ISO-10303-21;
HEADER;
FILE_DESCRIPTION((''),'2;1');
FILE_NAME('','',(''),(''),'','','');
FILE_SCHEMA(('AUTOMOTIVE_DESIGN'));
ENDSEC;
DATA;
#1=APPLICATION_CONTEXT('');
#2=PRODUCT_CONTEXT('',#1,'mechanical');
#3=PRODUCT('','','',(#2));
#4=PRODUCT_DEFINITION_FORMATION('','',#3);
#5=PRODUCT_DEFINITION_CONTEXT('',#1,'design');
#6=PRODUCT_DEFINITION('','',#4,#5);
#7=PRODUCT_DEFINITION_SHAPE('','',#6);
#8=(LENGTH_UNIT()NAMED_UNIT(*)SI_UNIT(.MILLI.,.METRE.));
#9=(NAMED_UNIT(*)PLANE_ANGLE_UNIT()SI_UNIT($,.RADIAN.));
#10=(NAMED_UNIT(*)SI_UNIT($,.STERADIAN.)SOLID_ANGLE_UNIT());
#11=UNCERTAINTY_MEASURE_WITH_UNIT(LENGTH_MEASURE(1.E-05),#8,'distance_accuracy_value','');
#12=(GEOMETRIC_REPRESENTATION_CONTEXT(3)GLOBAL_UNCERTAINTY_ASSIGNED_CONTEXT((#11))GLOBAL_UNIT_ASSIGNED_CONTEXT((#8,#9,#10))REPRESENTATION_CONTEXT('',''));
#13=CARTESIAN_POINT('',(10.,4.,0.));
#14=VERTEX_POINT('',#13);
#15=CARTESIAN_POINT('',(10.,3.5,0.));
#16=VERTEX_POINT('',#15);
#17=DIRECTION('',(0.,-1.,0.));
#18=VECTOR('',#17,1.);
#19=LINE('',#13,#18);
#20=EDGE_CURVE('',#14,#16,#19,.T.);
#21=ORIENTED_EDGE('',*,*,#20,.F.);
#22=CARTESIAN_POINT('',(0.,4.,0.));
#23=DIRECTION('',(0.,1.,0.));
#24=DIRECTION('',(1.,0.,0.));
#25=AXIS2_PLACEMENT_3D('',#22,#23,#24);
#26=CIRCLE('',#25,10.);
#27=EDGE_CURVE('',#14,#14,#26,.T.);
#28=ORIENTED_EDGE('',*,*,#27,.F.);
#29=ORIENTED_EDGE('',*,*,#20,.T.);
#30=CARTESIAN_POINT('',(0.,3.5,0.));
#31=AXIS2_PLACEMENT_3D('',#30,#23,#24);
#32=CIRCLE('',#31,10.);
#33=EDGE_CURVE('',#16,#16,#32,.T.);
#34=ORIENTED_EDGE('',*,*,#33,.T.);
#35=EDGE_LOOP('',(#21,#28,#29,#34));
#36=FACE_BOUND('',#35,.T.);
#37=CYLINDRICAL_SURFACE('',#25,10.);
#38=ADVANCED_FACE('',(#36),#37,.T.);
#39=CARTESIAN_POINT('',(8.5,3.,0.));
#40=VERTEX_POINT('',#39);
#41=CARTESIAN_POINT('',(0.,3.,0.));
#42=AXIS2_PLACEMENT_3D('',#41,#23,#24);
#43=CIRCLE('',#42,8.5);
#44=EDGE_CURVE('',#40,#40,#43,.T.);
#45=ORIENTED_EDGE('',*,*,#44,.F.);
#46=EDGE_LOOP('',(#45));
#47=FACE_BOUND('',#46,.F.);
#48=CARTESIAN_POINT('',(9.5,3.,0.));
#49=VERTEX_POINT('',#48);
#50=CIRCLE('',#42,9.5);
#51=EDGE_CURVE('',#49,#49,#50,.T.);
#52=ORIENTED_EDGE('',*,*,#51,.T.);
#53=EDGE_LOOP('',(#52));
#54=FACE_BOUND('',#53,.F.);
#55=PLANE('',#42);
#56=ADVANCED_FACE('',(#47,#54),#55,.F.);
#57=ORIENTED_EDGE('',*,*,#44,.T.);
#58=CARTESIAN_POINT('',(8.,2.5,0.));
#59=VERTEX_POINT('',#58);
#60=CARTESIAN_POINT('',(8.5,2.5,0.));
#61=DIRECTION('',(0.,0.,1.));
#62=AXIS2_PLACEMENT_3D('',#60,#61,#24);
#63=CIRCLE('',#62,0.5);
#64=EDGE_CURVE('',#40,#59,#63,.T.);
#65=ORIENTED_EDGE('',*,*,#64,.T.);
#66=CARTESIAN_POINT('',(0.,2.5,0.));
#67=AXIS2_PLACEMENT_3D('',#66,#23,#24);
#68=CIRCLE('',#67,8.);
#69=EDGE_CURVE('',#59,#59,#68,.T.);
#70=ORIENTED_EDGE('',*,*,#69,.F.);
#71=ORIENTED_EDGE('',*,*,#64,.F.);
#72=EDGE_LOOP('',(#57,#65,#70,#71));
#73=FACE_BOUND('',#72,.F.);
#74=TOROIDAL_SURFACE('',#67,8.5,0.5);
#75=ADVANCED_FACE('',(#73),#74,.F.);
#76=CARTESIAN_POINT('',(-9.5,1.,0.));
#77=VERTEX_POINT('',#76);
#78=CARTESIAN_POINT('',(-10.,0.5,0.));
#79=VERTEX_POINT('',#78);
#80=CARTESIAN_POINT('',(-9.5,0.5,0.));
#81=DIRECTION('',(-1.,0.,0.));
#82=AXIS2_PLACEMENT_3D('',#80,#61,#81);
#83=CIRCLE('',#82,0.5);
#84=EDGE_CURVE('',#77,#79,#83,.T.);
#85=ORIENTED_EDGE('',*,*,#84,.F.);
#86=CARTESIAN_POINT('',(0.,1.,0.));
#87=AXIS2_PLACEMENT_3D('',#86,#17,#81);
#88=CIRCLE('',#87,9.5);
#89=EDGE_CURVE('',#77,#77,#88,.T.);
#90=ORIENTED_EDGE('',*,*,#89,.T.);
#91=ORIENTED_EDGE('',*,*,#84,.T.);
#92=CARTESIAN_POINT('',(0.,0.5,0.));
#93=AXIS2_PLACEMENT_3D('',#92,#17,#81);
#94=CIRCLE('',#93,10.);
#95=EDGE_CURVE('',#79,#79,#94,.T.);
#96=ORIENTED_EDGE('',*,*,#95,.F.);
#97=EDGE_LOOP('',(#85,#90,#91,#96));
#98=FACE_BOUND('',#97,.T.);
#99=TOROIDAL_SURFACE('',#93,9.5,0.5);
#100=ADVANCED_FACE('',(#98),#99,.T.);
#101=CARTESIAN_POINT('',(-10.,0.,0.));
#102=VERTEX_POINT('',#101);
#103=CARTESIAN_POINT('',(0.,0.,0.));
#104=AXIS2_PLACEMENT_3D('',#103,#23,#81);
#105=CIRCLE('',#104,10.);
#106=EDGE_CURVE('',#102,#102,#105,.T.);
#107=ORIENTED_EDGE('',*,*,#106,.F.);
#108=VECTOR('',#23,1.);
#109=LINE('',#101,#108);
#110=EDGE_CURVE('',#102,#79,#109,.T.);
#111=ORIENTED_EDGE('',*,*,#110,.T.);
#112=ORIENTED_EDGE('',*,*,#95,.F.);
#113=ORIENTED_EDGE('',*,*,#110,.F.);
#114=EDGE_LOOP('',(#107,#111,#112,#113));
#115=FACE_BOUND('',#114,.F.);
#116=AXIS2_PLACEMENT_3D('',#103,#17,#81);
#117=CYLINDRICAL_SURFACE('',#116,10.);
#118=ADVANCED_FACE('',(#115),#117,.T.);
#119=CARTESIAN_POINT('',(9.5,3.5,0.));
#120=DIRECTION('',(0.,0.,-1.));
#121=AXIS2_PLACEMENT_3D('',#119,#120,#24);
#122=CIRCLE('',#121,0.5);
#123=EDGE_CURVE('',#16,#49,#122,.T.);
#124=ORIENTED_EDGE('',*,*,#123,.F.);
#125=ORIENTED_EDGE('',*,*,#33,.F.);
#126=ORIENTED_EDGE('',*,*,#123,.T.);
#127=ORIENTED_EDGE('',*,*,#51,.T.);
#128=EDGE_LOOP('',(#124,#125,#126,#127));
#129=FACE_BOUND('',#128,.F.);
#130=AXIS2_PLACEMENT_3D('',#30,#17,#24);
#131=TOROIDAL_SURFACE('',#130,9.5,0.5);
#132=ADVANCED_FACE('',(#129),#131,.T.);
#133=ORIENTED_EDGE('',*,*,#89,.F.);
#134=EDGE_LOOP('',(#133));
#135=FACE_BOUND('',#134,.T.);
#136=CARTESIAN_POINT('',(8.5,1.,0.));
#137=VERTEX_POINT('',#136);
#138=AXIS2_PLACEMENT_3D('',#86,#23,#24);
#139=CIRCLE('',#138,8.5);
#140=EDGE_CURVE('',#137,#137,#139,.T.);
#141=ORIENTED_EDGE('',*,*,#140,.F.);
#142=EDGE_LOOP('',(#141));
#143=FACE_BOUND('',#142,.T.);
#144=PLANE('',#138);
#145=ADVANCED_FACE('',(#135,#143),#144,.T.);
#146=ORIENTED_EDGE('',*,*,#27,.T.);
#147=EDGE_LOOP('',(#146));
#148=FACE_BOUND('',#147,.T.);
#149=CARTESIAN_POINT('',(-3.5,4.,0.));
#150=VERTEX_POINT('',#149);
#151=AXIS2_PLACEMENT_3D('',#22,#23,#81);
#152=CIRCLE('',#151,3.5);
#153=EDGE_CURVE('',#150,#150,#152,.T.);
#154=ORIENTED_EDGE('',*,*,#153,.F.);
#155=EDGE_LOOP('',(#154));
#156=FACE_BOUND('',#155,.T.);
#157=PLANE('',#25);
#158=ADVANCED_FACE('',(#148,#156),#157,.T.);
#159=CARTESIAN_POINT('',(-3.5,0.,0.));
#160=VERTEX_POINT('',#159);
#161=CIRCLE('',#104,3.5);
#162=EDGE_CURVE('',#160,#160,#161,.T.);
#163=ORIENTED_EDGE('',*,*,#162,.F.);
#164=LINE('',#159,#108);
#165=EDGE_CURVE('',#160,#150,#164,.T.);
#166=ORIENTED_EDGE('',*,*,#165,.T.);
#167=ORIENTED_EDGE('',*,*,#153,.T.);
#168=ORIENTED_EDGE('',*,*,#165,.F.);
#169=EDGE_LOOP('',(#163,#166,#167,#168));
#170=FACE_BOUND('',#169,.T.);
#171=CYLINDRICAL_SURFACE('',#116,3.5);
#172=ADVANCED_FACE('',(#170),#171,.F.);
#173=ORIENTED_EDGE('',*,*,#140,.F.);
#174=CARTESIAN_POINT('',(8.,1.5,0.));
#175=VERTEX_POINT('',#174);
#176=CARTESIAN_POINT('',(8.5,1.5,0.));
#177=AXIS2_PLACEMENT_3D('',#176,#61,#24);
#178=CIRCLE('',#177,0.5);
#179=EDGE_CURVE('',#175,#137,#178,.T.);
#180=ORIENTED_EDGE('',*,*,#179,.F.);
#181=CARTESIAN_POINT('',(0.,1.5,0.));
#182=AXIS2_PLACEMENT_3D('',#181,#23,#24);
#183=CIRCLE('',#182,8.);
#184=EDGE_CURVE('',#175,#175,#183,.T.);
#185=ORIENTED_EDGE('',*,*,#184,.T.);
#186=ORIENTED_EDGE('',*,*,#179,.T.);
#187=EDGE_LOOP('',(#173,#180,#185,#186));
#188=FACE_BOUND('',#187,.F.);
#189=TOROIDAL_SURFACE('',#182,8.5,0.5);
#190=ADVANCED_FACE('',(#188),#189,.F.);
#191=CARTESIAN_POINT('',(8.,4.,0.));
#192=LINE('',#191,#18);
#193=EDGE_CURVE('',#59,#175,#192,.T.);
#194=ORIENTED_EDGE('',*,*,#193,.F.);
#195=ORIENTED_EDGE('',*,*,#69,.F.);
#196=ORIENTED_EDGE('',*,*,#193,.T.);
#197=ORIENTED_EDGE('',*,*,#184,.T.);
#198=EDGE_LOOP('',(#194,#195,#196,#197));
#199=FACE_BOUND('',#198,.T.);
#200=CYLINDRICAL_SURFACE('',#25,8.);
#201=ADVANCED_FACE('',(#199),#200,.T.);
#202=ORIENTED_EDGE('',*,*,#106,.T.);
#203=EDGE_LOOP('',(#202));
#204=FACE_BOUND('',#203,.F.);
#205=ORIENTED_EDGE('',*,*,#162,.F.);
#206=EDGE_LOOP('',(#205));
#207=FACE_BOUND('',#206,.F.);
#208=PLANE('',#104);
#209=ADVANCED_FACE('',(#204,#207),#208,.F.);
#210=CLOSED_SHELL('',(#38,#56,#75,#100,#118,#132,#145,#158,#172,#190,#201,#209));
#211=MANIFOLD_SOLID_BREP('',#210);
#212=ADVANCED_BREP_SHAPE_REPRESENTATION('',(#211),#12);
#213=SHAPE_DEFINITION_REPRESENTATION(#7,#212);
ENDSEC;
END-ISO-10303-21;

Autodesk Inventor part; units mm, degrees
ref_plane "YZ Plane" through (0, 0, 0) normal (1, 0, 0) x (0, 1, 0)
ref_plane "XZ Plane" through (0, 0, 0) normal (0, 1, 0) x (-1, 0, 0)
ref_plane "XY Plane" through (0, 0, 0) normal (0, 0, 1) x (1, 0, 0)
sketch "Boceto1" plane through (0, 0, 0) normal (0, 1, 0) x (-1, 0, 0)
  circle A0 centre (0, 0) radius 10
  circle A1 centre (0, 0) radius 3.5
  dimension "d0" = 20
  dimension "d1" = 7
extrude "Extrusión1" add sketch "Boceto1" along normal blind 4
sketch "Boceto2" plane through (0, 4, 0) normal (0, 1, 0) x (1, 0, 0)
  circle A0 centre (0, 0) radius 8
  circle A1 centre (0, 0) radius 3.5 projected
  circle A2 centre (0, 0) radius 10 projected
  dimension "d4" = 16
extrude "Extrusión2" cut sketch "Boceto2" against normal blind 3 contours A2
sketch "Boceto3" plane through (0, 4, 0) normal (0, 1, 0) x (1, 0, 0)
  circle A0 centre (0, 0) radius 8
  circle A1 centre (0, 0) radius 3.5
  circle A2 centre (0, 0) radius 10
  dimension "d7" = 16
extrude "Extrusión3" add sketch "Boceto3" against normal blind 1 contours A2
fillet "Empalme1" radius 0.5 4 edges at (-8, 1, 0) (-8, 3, 0) (-10, 3, 0) (10, 1, 0)
properties part number "servo pulley"
